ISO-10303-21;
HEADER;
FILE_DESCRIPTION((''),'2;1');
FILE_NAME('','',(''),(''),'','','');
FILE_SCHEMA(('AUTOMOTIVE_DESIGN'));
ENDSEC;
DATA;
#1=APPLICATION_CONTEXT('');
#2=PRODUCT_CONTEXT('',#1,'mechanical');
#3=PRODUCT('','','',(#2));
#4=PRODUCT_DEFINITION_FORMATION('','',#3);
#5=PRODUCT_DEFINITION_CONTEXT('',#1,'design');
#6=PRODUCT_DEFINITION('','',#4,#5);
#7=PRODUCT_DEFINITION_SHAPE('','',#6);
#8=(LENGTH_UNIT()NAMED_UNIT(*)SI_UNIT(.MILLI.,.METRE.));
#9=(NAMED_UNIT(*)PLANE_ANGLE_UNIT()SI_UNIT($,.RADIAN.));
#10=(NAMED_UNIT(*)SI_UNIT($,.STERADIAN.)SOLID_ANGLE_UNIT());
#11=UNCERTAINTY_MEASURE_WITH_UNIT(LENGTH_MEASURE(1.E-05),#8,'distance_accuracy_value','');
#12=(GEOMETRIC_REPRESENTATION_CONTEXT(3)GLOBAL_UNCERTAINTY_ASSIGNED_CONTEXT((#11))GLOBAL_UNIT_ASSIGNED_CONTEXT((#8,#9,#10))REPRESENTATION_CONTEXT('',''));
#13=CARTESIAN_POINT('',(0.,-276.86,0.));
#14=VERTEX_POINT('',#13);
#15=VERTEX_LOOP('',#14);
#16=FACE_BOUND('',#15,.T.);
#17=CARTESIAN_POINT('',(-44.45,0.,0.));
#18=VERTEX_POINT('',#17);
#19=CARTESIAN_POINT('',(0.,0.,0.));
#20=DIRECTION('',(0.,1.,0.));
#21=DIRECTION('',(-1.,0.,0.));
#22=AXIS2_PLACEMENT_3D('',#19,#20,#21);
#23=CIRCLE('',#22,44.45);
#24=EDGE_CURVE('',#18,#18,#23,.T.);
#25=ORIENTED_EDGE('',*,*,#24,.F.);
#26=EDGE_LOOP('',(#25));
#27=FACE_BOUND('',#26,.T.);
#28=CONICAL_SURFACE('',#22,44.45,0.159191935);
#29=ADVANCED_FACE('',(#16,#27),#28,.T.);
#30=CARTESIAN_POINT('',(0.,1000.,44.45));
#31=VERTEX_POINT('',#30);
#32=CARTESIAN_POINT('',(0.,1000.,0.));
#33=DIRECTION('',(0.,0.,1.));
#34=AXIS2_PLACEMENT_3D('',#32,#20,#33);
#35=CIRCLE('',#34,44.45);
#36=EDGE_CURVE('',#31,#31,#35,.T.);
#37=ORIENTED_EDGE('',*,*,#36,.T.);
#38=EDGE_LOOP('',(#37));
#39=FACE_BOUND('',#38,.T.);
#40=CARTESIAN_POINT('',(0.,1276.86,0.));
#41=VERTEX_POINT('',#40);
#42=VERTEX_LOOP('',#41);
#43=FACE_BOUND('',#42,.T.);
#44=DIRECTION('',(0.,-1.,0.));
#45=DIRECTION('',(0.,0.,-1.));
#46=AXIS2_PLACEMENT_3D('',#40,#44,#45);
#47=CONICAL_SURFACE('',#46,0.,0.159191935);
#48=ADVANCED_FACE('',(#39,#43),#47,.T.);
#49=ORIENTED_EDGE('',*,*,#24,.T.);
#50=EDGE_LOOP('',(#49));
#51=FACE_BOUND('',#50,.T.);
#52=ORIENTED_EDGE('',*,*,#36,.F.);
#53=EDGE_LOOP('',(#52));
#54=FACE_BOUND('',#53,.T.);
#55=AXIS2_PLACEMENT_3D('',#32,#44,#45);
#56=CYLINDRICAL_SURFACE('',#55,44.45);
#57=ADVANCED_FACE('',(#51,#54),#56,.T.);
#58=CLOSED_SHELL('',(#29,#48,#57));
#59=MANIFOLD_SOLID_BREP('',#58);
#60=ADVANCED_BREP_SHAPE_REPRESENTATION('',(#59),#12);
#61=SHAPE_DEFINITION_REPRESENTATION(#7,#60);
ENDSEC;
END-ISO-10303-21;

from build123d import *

# Parameters (mm, degrees)
SKETCH1_R           = 44.45
BOSS_EXTRUDE1_DEPTH = 1000


with BuildPart() as part:
    # Sketch1 → Boss-Extrude1 (new body)
    with BuildSketch(Plane(origin=(0, 0, 0), x_dir=(1, 0, 0), z_dir=(0, 1, 0))):
        with Locations(Location((0, 0, 0), (0, 0, 270))):
            Circle(SKETCH1_R)
    extrude(amount=BOSS_EXTRUDE1_DEPTH)

    # Sketch3 → Revolve3 (revolve)
    with BuildSketch(Plane.XY, mode=Mode.PRIVATE) as revolve3_sk:
        Polygon((0, 1000), (0, 1276.86), (-44.45, 1000), align=None)
    revolve(revolve3_sk.sketch.rotate(Axis((0, 1000, 0), (0, 1, 0)), 270), axis=Axis((0, 1000, 0), (0, 1, 0)))

    # Sketch4 → Revolve4 (revolve)
    with BuildSketch(Plane.XY):
        Polygon((0, 0), (0, -276.86), (-44.45, 0), align=None)
    revolve(axis=Axis((0, 0, 0), (0, -1, 0)))


solid = part.part
